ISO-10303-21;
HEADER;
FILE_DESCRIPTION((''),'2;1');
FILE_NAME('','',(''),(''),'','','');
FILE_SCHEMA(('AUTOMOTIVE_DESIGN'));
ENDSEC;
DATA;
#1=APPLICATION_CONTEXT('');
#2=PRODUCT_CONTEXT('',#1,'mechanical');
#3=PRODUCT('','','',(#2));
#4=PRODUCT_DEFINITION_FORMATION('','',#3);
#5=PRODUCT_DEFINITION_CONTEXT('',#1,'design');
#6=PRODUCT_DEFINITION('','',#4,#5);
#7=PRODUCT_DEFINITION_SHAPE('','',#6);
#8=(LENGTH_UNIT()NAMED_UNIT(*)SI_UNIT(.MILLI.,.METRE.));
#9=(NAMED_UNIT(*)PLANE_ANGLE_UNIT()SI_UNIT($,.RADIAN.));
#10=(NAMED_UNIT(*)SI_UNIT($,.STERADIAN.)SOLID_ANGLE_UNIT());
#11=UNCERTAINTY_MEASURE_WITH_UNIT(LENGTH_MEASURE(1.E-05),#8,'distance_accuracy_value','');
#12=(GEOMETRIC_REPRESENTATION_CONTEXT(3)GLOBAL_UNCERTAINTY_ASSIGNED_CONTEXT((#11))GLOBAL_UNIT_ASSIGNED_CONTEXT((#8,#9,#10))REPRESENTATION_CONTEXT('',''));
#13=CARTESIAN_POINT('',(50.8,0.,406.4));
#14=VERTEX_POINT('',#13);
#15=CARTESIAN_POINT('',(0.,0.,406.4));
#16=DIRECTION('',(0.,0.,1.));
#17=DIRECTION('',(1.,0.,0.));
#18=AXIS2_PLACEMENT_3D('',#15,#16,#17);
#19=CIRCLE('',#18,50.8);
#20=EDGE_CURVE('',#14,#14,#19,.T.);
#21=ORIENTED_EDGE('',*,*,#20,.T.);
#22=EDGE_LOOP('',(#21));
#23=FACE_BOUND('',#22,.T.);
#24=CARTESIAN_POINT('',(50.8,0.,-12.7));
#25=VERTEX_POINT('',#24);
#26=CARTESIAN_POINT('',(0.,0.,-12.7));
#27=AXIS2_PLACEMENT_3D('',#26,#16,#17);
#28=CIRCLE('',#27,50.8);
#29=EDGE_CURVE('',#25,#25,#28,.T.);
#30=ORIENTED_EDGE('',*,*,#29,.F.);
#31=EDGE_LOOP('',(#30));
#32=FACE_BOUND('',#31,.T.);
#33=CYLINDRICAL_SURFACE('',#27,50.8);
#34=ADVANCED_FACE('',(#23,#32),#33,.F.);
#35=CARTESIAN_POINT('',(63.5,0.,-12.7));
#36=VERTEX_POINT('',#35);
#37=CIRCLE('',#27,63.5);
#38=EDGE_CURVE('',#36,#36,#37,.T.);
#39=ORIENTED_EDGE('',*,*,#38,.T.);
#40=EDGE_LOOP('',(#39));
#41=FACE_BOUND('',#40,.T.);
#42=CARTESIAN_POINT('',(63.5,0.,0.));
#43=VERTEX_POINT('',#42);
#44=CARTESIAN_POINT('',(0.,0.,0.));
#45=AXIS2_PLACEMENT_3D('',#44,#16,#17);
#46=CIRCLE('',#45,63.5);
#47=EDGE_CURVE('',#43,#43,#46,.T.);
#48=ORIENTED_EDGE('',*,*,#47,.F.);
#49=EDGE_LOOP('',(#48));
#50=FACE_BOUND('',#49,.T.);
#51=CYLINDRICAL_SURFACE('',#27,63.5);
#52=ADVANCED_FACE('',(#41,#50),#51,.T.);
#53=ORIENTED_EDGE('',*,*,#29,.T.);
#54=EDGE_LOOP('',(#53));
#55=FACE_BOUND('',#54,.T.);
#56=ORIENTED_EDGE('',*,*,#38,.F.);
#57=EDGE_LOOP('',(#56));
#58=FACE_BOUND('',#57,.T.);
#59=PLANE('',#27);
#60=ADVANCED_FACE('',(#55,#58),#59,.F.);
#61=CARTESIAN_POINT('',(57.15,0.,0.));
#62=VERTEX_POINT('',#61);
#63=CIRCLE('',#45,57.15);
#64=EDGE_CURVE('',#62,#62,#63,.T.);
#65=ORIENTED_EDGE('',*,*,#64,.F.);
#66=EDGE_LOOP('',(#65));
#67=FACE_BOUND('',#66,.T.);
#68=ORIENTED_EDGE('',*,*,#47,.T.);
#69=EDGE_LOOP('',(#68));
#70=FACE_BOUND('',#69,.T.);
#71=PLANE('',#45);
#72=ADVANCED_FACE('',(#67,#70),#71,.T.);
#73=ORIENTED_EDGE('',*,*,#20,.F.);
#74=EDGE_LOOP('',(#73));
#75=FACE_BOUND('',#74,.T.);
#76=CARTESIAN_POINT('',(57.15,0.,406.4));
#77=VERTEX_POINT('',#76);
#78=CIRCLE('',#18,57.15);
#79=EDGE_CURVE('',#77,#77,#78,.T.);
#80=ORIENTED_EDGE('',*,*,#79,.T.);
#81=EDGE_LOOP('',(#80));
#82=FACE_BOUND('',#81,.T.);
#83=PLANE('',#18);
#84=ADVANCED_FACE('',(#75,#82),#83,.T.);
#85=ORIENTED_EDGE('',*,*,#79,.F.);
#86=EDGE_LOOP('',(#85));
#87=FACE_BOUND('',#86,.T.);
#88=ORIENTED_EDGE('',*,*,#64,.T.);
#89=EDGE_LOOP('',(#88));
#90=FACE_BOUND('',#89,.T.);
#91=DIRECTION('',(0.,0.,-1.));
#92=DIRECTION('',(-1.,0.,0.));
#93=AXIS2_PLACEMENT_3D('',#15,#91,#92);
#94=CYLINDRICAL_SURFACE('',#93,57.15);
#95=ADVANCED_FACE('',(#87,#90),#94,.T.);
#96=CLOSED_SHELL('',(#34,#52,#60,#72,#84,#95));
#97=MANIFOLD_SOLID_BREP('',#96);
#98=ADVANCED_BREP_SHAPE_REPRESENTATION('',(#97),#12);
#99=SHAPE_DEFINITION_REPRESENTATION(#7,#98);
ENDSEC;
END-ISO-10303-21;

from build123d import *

# Parameters (mm, degrees)
SKETCH1_R           = 63.5
SKETCH1_R_2         = 50.8
BOSS_EXTRUDE1_DEPTH = 12.7
BOSS_EXTRUDE2_START = 406.4
SKETCH1_3_R         = 57.15
SKETCH1_3_R_2       = 50.8
BOSS_EXTRUDE2_DEPTH = 406.4


with BuildPart() as part:
    # Sketch1 → Boss-Extrude1 (new body)
    with BuildSketch(Plane.XY):
        Circle(SKETCH1_R)
        Circle(SKETCH1_R_2, mode=Mode.SUBTRACT)
    extrude(amount=-BOSS_EXTRUDE1_DEPTH)

    # Sketch1<3> → Boss-Extrude2 (add)
    with BuildSketch(Plane.XY.offset(BOSS_EXTRUDE2_START)):
        Circle(SKETCH1_3_R)
        Circle(SKETCH1_3_R_2, mode=Mode.SUBTRACT)
    extrude(amount=-BOSS_EXTRUDE2_DEPTH)


solid = part.part
